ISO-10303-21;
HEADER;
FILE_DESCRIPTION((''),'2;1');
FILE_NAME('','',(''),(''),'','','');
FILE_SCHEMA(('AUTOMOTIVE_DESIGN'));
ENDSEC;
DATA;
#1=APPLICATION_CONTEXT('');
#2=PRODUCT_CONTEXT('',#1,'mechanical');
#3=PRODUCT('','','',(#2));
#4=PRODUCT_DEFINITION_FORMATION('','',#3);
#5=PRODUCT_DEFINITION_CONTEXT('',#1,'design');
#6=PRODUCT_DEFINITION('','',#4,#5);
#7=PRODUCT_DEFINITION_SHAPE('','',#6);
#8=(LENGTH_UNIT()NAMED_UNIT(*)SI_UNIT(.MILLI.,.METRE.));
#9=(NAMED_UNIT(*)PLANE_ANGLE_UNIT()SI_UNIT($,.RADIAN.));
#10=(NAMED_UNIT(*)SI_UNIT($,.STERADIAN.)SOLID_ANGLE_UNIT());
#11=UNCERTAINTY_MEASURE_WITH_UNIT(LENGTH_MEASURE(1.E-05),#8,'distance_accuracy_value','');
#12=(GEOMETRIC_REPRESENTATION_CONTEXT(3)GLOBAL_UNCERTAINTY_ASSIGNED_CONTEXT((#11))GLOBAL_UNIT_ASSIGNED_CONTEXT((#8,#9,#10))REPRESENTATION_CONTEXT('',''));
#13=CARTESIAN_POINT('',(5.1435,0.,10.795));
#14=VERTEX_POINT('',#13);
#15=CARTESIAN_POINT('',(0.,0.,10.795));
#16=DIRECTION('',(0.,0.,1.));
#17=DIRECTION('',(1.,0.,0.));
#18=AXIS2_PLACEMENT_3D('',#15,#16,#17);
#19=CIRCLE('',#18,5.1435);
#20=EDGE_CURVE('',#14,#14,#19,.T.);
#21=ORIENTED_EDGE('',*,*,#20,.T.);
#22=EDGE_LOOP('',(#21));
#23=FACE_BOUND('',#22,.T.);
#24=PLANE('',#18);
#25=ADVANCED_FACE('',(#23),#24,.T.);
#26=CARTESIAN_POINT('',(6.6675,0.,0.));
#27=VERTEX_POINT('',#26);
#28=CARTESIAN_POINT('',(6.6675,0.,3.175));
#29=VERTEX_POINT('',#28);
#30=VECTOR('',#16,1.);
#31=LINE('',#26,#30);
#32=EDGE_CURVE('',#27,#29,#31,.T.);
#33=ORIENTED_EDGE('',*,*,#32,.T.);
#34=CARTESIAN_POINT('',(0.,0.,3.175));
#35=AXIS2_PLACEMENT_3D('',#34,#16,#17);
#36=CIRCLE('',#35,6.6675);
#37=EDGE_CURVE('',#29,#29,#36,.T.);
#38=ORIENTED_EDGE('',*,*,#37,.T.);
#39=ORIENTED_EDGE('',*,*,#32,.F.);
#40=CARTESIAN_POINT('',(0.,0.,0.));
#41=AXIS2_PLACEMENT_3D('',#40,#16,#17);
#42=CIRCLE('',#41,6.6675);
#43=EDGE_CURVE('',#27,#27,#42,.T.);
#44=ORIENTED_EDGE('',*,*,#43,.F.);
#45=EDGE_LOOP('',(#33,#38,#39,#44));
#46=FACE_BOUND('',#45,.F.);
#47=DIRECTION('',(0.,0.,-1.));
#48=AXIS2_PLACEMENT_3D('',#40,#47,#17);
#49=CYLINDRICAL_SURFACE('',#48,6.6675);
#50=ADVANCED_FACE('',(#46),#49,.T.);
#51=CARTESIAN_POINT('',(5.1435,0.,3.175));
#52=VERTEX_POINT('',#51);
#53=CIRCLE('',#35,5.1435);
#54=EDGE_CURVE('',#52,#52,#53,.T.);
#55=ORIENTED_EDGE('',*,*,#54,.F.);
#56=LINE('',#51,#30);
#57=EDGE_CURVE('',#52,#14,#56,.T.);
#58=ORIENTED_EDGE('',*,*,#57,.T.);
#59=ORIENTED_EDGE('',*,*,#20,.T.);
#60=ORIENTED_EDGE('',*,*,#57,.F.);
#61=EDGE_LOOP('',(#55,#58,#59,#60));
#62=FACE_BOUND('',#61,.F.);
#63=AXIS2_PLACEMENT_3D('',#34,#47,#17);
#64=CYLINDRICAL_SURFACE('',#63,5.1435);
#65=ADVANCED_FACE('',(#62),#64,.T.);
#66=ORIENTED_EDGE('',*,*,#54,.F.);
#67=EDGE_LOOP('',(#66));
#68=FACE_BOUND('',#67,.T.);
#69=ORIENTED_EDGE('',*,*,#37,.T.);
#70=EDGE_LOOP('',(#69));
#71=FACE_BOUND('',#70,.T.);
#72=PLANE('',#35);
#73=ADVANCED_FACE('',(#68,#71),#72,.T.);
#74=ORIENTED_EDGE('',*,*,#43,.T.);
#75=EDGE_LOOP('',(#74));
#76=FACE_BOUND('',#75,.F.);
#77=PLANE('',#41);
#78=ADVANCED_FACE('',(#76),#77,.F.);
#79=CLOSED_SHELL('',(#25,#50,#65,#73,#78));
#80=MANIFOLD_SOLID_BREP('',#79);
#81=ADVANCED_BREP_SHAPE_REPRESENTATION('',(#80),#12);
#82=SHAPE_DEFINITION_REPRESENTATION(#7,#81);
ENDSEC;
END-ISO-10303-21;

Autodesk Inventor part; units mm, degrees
ref_plane "YZ Plane" through (0, 0, 0) normal (1, 0, 0) x (0, 1, 0)
ref_plane "XZ Plane" through (0, 0, 0) normal (0, 1, 0) x (-1, 0, 0)
ref_plane "XY Plane" through (0, 0, 0) normal (0, 0, 1) x (1, 0, 0)
sketch "Sketch1" plane through (0, 0, 0) normal (0, 0, 1) x (1, 0, 0)
  circle A0 centre (0, 0) radius 6.6675
  dimension "d0" = 13.335
extrude "Extrusion1" add sketch "Sketch1" along normal blind 3.175
sketch "Sketch2" plane through (0, 0, 3.175) normal (0, 0, 1) x (1, 0, 0)
  circle A0 centre (0, 0) radius 5.1435
  dimension "d3" = 10.287
extrude "Extrusion2" add sketch "Sketch2" along normal blind 7.62
properties part number "SpringButton"
